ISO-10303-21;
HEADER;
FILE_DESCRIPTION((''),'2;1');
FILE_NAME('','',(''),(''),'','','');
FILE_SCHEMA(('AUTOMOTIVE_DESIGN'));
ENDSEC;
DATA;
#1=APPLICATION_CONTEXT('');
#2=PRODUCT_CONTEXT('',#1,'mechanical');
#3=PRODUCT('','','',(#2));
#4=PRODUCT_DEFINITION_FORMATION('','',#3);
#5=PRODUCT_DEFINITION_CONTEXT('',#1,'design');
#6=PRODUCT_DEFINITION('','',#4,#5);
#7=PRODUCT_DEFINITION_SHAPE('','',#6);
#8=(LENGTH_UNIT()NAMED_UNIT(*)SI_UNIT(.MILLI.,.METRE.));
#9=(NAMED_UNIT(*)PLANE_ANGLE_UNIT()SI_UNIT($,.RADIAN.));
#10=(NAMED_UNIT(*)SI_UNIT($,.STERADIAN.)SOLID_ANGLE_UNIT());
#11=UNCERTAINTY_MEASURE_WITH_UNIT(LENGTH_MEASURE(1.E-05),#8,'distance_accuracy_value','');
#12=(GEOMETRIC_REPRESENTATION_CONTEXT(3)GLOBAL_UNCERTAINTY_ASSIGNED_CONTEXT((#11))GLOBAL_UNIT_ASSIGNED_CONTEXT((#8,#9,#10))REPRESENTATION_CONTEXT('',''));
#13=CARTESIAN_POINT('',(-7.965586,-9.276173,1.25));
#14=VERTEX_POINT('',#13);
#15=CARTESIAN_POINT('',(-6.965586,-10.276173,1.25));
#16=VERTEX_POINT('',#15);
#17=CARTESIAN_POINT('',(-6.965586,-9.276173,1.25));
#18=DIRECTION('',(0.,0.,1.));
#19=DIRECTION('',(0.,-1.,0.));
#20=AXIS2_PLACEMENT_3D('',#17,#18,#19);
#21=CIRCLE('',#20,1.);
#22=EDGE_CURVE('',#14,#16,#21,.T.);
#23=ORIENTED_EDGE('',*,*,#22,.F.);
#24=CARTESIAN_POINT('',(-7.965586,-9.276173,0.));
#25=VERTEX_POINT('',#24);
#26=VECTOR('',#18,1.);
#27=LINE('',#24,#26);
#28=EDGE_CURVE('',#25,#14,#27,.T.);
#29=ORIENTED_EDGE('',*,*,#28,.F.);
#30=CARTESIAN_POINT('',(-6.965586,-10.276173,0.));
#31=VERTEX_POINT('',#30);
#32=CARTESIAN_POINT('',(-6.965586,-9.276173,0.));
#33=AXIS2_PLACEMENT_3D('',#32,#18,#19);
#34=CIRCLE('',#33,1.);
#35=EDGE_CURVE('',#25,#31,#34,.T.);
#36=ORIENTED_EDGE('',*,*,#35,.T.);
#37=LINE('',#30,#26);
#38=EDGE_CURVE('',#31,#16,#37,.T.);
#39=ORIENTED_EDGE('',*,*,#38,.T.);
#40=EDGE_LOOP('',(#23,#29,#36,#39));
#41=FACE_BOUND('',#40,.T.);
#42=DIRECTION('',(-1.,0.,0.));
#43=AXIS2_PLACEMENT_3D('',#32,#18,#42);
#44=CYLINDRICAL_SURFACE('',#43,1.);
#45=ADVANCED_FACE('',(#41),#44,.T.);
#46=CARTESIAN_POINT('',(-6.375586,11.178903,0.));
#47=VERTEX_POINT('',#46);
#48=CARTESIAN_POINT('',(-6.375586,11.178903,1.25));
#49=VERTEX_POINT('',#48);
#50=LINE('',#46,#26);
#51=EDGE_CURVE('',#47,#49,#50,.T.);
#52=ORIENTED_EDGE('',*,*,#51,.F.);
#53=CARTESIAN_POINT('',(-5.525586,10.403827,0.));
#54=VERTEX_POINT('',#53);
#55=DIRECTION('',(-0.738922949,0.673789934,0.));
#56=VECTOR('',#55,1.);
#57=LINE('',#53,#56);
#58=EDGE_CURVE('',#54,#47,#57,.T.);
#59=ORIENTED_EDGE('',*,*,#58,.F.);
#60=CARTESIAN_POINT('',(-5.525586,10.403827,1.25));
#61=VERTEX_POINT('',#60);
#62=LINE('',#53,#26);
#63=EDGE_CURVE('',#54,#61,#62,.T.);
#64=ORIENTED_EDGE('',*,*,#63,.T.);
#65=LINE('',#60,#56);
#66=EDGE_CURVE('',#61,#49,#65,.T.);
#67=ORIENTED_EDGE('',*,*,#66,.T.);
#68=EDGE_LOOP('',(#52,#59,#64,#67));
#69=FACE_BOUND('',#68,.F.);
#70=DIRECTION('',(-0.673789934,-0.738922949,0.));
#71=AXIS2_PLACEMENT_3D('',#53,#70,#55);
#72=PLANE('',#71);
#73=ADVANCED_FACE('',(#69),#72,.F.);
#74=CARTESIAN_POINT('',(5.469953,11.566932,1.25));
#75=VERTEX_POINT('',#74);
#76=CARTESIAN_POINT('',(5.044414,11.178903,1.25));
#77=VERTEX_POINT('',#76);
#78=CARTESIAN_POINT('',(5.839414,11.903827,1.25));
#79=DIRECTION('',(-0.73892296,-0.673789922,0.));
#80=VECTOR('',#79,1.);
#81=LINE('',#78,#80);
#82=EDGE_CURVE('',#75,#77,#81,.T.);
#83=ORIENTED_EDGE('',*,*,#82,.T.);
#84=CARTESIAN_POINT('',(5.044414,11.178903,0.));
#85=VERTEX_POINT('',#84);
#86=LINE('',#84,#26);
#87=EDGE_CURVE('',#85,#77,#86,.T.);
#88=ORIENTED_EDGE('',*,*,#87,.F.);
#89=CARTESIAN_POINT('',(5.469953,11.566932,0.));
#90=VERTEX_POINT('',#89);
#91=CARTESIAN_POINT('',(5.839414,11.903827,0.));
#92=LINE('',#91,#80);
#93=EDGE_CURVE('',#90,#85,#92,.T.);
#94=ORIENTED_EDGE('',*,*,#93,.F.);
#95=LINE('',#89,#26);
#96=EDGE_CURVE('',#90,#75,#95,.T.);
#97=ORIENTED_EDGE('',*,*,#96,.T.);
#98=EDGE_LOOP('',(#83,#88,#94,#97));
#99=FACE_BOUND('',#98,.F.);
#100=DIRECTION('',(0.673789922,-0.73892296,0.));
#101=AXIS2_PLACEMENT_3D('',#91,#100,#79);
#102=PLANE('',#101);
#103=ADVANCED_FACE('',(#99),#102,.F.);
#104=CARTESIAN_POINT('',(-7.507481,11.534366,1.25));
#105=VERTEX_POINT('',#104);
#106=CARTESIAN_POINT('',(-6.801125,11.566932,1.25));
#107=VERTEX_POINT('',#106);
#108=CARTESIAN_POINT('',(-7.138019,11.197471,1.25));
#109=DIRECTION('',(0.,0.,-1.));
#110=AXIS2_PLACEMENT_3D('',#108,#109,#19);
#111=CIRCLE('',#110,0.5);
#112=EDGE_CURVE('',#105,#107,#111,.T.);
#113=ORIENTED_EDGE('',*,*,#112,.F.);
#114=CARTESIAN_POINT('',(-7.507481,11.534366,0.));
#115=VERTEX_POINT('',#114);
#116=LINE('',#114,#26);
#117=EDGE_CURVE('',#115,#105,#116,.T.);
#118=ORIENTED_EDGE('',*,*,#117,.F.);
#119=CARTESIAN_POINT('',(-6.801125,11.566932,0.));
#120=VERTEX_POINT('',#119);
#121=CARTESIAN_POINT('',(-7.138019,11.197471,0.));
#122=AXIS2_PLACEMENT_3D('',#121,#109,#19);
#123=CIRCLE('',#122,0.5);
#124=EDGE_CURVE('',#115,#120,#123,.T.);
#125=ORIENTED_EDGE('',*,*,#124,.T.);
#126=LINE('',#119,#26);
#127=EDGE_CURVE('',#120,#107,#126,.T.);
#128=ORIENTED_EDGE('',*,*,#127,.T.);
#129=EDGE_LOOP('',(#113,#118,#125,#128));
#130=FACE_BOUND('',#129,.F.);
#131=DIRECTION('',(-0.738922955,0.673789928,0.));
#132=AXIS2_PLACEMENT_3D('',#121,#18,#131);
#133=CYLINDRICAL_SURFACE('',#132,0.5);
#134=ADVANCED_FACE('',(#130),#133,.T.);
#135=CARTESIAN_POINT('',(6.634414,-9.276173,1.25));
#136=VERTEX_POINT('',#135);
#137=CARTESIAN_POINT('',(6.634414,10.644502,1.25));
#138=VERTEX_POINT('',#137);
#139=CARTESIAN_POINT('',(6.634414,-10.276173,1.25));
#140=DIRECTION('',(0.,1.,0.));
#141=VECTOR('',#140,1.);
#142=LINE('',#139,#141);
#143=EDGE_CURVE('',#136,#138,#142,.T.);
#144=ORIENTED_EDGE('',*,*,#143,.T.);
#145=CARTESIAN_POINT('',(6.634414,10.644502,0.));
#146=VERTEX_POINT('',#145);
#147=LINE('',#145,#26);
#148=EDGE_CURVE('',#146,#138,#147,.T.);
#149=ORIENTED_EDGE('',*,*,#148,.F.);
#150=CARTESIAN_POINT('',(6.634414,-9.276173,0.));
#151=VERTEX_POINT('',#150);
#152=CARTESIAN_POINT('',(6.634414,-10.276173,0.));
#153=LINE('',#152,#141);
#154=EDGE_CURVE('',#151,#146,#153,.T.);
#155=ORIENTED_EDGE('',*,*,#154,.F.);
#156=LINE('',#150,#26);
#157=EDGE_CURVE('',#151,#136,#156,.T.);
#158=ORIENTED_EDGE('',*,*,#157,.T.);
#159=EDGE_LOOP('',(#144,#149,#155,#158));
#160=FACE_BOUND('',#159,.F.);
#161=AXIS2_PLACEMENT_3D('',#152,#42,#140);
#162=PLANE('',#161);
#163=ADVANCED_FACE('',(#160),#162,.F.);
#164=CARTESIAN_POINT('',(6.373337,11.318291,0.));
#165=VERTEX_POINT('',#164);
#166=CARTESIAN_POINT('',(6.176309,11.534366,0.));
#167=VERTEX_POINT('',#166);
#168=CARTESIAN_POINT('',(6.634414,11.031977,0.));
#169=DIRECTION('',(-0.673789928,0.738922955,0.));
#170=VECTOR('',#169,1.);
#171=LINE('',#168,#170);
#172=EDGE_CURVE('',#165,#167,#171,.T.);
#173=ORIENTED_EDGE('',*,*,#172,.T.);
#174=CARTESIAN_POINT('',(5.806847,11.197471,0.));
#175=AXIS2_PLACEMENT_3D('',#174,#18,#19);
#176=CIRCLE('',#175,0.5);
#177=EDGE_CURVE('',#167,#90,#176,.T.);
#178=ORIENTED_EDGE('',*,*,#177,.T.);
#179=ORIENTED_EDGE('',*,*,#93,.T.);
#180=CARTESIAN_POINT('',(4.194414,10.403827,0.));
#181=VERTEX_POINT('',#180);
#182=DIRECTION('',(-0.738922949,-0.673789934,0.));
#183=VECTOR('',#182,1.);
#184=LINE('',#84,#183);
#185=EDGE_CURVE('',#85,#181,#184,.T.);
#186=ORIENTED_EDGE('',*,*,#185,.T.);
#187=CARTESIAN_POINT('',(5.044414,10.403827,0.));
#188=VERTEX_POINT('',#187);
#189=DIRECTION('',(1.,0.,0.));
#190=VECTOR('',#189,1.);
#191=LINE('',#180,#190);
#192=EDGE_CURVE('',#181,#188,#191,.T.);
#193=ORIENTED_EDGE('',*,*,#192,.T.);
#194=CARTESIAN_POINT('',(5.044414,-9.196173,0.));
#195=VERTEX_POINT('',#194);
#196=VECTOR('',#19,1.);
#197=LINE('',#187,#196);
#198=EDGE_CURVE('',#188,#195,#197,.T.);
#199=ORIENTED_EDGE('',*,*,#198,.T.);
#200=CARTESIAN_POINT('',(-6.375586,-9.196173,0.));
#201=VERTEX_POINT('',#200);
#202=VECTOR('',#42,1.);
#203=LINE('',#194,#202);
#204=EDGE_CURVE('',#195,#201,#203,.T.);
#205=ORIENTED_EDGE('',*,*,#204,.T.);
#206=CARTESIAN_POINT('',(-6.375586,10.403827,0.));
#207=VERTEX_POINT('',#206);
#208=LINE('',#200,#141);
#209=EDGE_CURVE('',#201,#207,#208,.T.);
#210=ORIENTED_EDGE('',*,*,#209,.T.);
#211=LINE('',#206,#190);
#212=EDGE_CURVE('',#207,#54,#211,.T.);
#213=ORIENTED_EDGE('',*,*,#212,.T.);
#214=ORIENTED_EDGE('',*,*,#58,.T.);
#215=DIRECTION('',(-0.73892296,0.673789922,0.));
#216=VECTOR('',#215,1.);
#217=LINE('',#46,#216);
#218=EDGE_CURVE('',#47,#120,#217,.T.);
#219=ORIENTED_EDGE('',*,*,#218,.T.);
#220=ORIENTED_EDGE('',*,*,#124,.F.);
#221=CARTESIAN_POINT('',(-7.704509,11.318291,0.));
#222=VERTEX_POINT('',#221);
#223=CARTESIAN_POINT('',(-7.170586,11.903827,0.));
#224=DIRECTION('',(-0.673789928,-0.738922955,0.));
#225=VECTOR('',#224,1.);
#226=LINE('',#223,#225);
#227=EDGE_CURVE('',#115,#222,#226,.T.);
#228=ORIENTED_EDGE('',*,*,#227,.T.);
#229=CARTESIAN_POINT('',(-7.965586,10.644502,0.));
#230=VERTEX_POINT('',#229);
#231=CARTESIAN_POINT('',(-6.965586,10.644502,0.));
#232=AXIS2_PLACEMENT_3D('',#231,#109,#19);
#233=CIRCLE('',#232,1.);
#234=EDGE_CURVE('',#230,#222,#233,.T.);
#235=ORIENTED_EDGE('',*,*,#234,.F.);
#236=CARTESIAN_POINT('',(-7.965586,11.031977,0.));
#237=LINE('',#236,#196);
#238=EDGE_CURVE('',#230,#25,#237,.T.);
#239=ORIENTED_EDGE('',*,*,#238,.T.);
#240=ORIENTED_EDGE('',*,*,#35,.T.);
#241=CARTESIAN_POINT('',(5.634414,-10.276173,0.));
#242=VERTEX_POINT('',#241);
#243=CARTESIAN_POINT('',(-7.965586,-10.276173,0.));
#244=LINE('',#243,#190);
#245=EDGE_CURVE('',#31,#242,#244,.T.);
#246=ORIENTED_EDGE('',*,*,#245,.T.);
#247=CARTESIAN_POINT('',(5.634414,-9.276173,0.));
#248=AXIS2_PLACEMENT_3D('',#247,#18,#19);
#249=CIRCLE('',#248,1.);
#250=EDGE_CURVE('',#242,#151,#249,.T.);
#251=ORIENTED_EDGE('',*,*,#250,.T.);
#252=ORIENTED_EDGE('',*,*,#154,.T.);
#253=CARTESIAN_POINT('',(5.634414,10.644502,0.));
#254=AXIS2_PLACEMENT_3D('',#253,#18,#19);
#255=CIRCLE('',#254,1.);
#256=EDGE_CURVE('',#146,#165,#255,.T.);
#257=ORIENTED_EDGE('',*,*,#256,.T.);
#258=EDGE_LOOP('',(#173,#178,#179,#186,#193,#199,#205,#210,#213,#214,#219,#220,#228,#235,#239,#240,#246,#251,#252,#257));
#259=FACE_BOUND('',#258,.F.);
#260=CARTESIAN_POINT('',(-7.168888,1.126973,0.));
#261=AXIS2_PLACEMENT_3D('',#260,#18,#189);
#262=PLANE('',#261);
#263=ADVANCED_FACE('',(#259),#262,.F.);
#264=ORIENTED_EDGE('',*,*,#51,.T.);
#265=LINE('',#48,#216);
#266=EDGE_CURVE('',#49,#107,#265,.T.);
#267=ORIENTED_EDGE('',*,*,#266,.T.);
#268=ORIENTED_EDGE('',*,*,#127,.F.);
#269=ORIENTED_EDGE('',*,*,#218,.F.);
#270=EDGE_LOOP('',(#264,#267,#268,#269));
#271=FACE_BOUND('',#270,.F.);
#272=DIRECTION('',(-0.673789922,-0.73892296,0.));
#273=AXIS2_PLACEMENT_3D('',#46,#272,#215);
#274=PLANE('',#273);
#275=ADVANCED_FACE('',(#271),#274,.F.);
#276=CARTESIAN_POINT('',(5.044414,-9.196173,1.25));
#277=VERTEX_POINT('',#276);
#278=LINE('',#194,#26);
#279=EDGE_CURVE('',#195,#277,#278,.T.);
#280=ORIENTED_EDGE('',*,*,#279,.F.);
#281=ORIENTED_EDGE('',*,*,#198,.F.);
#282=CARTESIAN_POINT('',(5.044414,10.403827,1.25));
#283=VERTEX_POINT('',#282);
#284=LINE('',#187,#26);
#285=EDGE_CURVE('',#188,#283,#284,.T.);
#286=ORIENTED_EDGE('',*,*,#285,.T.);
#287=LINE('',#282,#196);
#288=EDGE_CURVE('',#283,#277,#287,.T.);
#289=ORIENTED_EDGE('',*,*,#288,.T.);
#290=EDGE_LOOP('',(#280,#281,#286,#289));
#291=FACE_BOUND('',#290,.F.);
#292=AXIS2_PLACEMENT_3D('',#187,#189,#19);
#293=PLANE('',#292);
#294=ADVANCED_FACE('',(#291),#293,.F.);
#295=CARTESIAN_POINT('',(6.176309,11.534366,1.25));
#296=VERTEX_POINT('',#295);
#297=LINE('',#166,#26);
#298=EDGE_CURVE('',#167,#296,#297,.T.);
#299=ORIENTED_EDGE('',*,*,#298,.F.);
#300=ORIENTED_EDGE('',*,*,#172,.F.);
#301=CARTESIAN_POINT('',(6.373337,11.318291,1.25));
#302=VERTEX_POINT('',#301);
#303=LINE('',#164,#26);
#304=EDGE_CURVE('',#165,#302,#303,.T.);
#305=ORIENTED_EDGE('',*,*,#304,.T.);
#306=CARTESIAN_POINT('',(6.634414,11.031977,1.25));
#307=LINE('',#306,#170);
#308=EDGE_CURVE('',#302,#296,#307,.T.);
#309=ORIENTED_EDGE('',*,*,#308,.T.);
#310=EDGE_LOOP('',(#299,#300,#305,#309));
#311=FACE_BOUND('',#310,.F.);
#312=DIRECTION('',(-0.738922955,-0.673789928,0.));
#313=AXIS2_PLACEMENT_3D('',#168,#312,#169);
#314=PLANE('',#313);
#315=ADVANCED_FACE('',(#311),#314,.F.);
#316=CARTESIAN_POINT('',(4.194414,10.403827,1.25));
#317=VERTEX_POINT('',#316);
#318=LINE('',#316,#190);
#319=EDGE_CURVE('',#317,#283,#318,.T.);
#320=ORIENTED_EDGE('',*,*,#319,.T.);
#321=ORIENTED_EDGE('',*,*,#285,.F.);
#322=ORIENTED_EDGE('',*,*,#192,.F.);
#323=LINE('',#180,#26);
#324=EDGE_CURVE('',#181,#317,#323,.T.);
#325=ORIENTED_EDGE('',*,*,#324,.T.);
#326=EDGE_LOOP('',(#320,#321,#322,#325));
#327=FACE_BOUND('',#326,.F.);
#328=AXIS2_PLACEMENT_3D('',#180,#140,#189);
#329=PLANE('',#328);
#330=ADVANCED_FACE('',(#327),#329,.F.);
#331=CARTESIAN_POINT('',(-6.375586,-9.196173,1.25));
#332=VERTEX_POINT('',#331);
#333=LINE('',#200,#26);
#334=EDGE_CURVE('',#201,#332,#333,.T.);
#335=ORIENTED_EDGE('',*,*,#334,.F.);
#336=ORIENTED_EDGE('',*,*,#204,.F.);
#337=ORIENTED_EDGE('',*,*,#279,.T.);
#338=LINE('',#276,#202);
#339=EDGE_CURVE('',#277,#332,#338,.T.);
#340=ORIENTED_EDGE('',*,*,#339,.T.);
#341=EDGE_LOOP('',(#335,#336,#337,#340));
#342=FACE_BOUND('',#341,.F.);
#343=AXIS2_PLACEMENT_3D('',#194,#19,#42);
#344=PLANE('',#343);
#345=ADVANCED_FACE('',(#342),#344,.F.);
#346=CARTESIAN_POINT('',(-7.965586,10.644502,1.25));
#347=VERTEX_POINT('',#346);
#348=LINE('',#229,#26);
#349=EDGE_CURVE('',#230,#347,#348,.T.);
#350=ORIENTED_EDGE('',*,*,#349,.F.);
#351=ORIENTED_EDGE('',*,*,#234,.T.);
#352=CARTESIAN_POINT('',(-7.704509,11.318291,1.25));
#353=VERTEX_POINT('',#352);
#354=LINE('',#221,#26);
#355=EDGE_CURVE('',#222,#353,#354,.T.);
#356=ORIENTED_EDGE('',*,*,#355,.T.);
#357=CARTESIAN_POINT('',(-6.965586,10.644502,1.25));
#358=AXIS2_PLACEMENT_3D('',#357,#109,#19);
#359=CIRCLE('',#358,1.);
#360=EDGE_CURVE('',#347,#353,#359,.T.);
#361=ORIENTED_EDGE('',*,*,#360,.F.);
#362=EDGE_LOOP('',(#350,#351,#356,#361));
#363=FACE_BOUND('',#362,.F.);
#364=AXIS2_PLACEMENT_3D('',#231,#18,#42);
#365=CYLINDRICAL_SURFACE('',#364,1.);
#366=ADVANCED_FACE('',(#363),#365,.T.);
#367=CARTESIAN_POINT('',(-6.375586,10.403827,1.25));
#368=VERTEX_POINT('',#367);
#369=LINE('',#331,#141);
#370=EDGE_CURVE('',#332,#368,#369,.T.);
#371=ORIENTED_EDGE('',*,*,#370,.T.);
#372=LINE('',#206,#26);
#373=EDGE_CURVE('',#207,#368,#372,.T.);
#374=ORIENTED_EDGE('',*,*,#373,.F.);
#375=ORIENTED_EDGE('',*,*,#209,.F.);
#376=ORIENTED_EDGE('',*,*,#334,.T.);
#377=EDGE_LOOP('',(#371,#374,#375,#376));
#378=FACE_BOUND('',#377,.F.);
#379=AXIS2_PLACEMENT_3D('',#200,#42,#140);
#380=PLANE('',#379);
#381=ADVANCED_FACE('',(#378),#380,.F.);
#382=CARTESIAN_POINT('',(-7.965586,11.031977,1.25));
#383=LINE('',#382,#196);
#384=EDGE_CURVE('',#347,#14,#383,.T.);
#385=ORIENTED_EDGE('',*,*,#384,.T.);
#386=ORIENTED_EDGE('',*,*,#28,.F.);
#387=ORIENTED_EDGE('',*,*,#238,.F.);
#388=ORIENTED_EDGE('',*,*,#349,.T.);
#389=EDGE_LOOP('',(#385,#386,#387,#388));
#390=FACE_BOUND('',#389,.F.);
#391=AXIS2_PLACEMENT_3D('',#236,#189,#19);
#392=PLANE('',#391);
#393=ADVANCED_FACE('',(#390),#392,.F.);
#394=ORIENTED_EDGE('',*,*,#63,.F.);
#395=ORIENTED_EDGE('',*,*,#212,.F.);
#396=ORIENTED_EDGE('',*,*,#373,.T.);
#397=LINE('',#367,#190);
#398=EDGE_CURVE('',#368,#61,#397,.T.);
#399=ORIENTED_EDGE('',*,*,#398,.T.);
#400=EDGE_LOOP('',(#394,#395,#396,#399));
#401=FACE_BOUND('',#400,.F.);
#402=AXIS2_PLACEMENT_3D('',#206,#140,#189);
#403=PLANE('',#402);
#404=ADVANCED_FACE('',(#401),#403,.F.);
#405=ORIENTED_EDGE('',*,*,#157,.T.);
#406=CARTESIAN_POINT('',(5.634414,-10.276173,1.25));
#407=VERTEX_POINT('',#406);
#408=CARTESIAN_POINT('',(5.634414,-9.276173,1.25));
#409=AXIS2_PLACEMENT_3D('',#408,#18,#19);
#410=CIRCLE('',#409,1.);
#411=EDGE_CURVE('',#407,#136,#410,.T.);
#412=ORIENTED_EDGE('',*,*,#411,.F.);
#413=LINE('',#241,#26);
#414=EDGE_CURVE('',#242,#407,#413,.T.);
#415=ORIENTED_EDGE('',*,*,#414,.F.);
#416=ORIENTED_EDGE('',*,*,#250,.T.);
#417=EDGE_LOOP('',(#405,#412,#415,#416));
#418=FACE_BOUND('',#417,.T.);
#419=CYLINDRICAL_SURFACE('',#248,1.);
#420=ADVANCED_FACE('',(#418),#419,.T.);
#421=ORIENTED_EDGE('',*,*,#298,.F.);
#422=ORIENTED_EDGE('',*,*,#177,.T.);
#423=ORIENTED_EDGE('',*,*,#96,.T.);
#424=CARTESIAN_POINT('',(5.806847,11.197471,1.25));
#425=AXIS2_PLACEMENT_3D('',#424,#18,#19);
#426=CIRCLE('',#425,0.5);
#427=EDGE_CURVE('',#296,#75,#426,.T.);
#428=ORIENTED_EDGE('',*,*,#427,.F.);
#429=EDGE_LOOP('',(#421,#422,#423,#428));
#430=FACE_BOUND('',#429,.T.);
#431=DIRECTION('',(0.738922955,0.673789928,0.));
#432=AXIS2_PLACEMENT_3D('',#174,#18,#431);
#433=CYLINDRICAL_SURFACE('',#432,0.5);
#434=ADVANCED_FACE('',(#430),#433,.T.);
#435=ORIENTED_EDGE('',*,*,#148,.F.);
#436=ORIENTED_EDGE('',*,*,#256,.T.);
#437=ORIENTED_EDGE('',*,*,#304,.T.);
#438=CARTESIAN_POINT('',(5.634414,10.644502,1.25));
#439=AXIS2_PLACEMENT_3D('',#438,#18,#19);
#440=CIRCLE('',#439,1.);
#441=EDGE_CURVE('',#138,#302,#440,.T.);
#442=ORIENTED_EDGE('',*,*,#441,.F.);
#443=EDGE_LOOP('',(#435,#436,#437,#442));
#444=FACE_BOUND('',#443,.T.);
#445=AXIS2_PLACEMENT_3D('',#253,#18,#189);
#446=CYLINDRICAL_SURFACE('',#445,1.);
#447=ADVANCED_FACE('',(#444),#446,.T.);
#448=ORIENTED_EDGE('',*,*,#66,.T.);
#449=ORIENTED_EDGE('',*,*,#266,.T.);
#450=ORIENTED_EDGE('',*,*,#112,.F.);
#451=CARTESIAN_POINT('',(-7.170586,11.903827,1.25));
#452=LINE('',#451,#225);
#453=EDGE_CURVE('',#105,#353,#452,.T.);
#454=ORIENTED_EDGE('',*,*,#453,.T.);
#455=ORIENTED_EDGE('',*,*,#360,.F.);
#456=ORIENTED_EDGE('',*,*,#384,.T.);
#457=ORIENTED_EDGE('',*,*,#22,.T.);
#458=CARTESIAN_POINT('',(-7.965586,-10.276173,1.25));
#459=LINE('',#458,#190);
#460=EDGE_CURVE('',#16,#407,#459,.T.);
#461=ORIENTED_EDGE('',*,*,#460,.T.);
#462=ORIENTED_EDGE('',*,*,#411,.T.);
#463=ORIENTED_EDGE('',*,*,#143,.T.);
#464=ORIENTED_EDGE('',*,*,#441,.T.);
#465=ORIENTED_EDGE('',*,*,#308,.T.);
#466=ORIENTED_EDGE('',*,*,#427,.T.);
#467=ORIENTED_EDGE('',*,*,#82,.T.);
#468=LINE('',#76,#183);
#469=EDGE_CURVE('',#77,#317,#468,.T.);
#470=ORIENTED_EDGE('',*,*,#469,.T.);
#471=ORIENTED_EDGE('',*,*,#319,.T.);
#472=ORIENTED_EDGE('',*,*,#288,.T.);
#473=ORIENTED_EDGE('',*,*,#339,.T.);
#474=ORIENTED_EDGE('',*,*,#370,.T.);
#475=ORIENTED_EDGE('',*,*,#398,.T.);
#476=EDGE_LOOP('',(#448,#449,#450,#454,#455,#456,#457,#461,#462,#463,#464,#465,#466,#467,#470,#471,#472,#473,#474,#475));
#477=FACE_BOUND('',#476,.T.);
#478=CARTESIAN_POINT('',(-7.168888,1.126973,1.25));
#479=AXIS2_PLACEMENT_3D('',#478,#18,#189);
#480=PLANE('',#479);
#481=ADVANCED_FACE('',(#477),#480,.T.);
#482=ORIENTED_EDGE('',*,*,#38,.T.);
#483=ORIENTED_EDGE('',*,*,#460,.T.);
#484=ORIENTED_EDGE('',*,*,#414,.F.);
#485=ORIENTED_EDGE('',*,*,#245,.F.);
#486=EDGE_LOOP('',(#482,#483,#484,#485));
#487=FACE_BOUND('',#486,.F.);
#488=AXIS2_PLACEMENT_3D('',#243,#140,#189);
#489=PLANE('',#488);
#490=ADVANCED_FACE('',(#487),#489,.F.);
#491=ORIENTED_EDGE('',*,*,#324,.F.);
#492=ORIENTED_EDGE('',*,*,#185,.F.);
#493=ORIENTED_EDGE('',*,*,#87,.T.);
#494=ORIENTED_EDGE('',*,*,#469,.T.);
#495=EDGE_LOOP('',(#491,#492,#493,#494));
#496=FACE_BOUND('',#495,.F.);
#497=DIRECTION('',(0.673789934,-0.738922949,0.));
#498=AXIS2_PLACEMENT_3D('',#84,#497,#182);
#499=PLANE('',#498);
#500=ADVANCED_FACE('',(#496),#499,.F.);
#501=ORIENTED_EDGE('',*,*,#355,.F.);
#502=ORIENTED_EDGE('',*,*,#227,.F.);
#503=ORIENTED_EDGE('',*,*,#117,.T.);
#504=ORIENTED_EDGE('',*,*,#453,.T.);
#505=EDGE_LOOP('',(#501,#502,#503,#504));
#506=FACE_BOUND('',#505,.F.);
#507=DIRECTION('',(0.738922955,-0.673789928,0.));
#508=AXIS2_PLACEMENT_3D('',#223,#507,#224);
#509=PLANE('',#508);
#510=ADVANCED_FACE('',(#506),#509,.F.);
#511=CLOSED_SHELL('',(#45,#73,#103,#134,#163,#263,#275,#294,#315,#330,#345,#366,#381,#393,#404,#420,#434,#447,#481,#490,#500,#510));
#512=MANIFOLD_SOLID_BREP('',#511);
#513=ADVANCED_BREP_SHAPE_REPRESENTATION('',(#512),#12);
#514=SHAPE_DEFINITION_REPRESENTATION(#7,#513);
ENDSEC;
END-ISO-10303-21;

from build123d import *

# Parameters (mm, degrees)
F1_DEPTH = 1.25
F2_R     = 1
F3_R     = 1
F4_R     = 0.5


with BuildPart() as f1:
    # F0 (on Top) → F1 (new body)
    with BuildSketch(Plane.XY):
        Polygon((-7.965586, 11.031977), (-7.965586, -9.196173), (-6.375586, -9.196173), (-6.375586, 10.403827), (-6.375586, 11.178903), (-7.170586, 11.903827), align=None)
        Polygon((-6.375586, 11.178903), (-6.375586, 10.403827), (-5.525586, 10.403827), align=None)
        Polygon((4.194414, 10.403827), (5.044414, 10.403827), (5.044414, 11.178903), align=None)
        Polygon((5.044414, 10.403827), (5.044414, -9.196173), (6.634414, -9.196173), (6.634414, 11.031977), (5.839414, 11.903827), (5.044414, 11.178903), align=None)
        Polygon((-6.375586, -9.196173), (-7.965586, -9.196173), (-7.965586, -10.276173), (6.634414, -10.276173), (6.634414, -9.196173), (5.044414, -9.196173), align=None)
    extrude(amount=F1_DEPTH)

    # F2
    f2_edges = [f1.edges().sort_by_distance(p)[0] for p in [
        (6.634414, -10.276173, 0.625),
        (-7.965586, -10.276173, 0.625),
    ]]
    fillet(f2_edges, radius=F2_R)

    # F3
    f3_edges = [f1.edges().sort_by_distance(p)[0] for p in [
        (-7.965586, 11.031977, 0.625),
        (6.634414, 11.031977, 0.625),
    ]]
    fillet(f3_edges, radius=F3_R)

    # F4
    f4_edges = [f1.edges().sort_by_distance(p)[0] for p in [
        (5.839414, 11.903827, 0.625),
        (-7.170586, 11.903827, 0.625),
    ]]
    fillet(f4_edges, radius=F4_R)


solid = f1.part
